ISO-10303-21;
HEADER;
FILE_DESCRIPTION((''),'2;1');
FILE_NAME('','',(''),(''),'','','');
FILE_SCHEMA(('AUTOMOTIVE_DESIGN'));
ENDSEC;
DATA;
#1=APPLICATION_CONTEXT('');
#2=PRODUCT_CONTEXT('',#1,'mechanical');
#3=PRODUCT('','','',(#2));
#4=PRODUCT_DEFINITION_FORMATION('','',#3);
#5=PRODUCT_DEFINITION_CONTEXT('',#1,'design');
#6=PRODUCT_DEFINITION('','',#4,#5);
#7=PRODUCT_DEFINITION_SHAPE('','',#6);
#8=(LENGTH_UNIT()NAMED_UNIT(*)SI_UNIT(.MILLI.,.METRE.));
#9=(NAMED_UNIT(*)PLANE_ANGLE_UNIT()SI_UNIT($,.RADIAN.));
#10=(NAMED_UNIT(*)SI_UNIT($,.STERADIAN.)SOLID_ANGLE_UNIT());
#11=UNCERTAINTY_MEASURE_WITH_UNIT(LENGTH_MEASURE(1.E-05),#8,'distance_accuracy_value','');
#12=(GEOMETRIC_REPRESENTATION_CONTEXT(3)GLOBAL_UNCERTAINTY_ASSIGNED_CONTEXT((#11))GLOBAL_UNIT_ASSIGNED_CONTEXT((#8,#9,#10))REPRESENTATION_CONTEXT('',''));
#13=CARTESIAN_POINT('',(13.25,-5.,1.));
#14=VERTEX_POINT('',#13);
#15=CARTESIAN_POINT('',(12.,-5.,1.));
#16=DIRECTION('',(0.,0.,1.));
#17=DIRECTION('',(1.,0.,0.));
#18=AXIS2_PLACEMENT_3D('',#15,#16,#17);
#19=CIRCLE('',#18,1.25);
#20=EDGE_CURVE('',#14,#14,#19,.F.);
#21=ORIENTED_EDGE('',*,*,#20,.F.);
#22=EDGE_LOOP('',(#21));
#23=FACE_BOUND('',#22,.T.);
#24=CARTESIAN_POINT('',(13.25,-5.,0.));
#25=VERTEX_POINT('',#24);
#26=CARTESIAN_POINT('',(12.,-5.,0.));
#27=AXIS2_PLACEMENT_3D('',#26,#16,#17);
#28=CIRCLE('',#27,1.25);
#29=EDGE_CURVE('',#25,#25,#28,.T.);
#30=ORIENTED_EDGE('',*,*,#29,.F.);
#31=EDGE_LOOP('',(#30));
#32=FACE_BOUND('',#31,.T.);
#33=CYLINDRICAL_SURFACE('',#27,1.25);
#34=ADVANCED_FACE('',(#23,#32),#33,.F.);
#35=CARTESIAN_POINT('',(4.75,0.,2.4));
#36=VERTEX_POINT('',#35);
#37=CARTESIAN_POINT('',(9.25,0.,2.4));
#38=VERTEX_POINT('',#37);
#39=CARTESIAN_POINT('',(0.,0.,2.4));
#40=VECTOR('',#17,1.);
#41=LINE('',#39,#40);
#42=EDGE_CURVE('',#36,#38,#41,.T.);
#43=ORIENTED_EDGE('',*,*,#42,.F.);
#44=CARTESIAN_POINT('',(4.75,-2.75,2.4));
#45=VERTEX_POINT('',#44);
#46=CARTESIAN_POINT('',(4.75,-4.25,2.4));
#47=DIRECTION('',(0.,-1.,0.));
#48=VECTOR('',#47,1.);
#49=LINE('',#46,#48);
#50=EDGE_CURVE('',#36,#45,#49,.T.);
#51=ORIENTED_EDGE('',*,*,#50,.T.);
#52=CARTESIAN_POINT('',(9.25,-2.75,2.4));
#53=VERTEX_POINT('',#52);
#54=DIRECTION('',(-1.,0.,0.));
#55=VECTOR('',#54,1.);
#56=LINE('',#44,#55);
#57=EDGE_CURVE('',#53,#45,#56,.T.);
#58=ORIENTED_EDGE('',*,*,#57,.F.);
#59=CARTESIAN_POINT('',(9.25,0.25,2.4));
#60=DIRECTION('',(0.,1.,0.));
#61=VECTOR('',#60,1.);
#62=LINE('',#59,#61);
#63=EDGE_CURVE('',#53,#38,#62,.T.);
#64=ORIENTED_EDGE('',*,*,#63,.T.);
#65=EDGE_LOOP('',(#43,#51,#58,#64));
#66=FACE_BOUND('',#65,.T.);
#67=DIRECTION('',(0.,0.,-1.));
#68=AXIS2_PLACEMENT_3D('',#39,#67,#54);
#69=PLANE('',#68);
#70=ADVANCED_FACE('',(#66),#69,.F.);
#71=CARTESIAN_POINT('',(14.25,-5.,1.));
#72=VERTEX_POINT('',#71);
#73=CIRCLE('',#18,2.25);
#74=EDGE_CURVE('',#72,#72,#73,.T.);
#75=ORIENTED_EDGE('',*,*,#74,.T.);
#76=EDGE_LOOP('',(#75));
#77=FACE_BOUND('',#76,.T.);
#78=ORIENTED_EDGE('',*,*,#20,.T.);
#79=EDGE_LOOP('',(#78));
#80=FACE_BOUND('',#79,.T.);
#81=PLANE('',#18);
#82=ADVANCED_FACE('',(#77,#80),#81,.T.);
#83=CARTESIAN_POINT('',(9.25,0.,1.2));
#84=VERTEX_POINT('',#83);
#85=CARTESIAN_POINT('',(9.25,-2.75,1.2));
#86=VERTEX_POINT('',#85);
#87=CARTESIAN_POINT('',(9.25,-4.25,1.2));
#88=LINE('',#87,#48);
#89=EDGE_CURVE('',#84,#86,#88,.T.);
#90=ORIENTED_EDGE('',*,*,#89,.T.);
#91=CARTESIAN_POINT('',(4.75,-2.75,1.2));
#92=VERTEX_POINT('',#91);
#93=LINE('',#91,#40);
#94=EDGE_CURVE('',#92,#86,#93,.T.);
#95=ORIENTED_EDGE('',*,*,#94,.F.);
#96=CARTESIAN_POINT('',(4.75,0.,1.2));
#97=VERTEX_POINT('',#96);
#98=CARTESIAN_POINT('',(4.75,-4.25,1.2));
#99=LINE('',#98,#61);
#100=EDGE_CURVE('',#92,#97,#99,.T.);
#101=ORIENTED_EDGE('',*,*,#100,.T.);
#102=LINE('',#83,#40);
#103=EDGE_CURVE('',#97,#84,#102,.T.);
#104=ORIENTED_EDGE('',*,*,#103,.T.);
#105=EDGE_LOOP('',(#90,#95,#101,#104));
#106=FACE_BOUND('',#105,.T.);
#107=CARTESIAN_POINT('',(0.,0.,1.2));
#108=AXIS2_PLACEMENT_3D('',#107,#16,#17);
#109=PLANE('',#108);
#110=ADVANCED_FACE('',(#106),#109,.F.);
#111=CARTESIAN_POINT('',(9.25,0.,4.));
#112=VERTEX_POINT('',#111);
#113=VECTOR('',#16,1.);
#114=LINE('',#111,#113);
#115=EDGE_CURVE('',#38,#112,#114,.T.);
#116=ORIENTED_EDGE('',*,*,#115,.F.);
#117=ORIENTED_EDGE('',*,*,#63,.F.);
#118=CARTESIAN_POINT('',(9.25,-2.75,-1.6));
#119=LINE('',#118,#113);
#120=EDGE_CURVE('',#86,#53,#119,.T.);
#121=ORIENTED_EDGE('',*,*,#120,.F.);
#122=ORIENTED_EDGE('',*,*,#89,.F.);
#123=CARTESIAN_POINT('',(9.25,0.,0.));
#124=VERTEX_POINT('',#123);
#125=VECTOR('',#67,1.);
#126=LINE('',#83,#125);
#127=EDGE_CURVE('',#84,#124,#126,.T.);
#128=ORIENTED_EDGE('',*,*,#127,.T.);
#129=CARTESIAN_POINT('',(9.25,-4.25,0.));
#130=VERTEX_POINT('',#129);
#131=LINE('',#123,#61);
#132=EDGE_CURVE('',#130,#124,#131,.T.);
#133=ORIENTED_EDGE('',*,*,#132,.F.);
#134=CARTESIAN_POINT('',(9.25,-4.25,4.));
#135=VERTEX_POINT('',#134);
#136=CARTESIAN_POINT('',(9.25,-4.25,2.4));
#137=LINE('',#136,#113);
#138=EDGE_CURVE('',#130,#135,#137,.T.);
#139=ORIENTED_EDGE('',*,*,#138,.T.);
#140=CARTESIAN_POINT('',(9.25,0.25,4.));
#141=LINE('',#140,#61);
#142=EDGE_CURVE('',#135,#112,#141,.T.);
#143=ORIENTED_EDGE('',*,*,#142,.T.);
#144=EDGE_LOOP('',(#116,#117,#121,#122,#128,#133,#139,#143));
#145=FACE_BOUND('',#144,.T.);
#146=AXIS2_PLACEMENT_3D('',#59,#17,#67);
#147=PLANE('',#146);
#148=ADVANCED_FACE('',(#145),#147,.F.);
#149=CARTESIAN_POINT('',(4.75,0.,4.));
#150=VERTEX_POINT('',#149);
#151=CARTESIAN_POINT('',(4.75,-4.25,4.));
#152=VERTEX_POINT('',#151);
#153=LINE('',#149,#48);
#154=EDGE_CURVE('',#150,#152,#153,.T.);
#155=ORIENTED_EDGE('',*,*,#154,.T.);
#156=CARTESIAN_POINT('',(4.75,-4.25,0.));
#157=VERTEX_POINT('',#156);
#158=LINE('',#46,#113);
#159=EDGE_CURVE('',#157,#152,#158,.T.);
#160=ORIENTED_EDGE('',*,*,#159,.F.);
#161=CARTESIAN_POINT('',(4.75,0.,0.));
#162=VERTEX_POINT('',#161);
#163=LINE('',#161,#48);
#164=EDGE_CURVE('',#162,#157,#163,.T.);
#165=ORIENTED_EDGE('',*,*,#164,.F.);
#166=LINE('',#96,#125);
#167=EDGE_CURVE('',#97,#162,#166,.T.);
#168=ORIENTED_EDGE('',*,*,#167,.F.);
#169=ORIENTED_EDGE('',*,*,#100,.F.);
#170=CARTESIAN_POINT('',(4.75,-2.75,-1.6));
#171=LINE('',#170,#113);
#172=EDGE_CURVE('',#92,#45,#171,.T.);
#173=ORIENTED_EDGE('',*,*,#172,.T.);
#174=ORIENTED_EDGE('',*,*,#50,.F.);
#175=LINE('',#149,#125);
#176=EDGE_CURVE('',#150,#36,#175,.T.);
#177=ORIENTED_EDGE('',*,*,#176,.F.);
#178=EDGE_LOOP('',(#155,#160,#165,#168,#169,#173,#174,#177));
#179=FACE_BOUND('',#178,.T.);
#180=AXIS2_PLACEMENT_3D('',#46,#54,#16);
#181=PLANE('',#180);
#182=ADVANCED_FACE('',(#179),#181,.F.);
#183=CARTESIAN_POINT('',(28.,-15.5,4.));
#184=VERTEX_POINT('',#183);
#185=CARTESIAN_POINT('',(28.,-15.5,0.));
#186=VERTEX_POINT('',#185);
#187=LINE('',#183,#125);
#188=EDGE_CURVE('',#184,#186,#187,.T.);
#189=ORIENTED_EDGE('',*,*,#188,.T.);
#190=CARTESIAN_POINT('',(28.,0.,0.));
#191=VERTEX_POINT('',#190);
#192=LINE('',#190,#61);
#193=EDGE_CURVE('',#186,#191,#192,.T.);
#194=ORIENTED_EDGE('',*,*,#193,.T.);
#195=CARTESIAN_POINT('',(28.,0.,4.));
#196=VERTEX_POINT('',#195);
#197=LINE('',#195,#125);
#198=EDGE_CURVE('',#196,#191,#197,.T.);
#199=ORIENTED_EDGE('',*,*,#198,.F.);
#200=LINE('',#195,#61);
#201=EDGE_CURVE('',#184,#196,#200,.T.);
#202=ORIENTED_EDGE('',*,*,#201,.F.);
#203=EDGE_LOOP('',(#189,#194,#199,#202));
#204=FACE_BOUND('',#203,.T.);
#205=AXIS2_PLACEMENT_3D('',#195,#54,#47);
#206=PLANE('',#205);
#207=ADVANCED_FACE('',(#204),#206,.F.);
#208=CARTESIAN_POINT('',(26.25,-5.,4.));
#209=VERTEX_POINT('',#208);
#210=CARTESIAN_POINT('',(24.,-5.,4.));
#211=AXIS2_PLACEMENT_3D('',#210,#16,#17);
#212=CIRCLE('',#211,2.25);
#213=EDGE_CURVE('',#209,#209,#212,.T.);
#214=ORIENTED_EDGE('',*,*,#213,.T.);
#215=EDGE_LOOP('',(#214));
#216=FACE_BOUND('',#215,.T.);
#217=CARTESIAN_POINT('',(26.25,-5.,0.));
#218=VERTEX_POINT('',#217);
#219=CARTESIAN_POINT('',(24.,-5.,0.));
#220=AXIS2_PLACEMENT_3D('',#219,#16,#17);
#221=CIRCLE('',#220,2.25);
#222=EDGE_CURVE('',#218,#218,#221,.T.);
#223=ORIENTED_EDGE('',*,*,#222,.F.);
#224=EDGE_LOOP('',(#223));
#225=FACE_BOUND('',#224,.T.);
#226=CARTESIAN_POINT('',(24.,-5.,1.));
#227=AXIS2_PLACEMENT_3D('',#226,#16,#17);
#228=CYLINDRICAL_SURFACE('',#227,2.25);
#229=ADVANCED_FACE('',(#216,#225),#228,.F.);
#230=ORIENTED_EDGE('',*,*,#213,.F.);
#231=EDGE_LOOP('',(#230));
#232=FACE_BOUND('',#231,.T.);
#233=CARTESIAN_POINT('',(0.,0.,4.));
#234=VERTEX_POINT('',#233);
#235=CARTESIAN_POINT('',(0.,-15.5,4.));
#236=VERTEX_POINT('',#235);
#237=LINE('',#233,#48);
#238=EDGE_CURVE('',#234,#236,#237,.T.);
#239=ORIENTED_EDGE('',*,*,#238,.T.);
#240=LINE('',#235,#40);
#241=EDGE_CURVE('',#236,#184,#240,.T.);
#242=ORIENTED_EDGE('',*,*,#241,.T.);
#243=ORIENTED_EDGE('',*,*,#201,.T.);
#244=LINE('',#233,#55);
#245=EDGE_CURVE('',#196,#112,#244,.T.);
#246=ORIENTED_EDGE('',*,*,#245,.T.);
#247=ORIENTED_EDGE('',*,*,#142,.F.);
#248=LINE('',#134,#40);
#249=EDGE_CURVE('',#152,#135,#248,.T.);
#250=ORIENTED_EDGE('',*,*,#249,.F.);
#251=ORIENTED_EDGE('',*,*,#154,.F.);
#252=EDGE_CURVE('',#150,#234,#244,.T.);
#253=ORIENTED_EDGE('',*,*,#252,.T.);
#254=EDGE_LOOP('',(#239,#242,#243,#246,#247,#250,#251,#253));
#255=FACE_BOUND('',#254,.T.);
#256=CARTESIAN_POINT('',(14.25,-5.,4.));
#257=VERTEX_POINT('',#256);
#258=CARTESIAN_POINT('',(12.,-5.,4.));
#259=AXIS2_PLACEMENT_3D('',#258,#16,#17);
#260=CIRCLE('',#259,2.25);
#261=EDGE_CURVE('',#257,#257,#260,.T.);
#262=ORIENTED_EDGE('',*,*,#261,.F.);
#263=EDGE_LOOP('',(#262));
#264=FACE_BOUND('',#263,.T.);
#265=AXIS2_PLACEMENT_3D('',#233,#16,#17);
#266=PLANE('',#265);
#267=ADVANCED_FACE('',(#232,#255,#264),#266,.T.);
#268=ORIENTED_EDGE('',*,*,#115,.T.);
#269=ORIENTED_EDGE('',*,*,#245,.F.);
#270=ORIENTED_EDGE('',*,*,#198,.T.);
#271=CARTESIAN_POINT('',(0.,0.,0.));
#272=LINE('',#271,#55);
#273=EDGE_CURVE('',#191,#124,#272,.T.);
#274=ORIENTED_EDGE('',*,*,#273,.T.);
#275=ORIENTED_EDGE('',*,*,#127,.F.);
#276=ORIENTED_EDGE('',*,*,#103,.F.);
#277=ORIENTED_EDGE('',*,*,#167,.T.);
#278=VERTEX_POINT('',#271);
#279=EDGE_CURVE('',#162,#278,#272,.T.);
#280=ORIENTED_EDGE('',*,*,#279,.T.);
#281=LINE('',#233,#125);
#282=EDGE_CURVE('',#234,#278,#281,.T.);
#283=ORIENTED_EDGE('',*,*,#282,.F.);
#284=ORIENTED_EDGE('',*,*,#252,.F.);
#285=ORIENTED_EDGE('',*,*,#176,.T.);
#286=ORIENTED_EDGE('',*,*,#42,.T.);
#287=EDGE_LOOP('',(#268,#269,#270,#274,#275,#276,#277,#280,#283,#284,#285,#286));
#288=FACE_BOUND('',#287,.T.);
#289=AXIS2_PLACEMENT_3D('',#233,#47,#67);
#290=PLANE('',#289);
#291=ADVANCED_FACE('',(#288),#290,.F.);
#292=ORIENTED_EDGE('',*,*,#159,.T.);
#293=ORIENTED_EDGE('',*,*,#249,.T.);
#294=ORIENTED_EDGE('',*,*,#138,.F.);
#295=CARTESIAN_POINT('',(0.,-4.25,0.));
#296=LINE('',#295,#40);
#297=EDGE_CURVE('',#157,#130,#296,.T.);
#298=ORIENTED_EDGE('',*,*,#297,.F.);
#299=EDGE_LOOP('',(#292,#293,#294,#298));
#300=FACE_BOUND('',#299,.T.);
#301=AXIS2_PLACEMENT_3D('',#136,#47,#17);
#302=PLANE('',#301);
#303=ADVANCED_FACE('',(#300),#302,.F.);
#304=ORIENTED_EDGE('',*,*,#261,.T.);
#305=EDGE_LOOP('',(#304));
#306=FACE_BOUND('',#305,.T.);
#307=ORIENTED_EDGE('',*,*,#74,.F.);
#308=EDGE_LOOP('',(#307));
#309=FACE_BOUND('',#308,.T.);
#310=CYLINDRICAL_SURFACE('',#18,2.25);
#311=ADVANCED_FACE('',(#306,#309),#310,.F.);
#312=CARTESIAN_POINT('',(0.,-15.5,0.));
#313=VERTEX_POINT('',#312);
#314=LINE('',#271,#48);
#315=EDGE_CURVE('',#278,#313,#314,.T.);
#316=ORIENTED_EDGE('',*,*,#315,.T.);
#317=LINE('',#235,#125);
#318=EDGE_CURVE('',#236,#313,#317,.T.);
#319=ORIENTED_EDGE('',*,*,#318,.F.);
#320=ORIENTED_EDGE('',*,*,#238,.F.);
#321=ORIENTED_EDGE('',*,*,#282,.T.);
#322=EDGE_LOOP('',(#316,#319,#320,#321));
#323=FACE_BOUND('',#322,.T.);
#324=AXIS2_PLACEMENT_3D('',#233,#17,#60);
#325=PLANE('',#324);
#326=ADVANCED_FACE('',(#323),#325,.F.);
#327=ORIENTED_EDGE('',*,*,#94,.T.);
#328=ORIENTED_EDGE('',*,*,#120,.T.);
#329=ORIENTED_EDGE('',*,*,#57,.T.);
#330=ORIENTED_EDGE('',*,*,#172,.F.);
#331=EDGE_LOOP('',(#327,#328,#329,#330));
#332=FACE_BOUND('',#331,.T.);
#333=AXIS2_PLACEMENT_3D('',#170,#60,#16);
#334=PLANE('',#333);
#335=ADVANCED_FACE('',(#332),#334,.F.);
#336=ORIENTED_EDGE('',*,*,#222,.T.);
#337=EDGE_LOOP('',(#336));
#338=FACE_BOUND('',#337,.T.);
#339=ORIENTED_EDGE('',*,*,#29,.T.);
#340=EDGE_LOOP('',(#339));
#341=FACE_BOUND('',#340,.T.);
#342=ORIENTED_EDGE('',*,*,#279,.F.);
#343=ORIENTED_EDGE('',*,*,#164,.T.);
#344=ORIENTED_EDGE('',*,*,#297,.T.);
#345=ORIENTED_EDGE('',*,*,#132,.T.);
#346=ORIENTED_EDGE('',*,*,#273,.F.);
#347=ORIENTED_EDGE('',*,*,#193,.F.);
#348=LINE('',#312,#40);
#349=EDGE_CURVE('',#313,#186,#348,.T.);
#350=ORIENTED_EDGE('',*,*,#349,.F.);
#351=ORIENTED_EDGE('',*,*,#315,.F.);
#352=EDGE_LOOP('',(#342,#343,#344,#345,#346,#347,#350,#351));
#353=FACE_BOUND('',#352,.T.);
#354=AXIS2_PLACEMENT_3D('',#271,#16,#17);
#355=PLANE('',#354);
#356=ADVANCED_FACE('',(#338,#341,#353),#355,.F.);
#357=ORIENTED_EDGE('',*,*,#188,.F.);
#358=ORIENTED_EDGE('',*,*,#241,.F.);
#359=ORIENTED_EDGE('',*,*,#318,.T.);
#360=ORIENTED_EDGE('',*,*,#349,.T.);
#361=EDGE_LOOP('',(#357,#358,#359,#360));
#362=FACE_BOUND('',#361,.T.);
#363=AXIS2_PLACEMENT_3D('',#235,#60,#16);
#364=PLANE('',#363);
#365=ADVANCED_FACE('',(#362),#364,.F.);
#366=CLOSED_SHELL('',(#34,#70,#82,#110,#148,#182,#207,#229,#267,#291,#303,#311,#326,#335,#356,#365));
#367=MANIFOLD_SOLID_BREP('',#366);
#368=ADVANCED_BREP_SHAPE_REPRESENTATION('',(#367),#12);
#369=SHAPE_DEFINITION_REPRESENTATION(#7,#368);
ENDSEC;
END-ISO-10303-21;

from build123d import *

# Parameters (mm, degrees)
SKETCH1_W           = 28
SKETCH1_H           = 15.5
BOSS_EXTRUDE1_DEPTH = 4
SKETCH2_R           = 1.25
CUT_EXTRUDE1_DEPTH  = 4
SKETCH3_R           = 2.25
CUT_EXTRUDE2_DEPTH  = 3
SKETCH4_W           = 4.5
SKETCH4_H           = 4.5
CUT_EXTRUDE3_DEPTH  = 1.6
SKETCH5_W           = 4.5
SKETCH5_H           = 1.5
CUT_EXTRUDE4_DEPTH  = 4
SKETCH6_W           = 4.5
SKETCH6_H           = 4.25
CUT_EXTRUDE5_DEPTH  = 1.2
SKETCH7_R           = 2.25
CUT_EXTRUDE6_DEPTH  = 10


with BuildPart() as part:
    # Sketch1 → Boss-Extrude1 (new body)
    with BuildSketch(Plane.XY):
        with Locations((14, -7.75)):
            Rectangle(SKETCH1_W, SKETCH1_H)
    extrude(amount=BOSS_EXTRUDE1_DEPTH)

    # Sketch2 → Cut-Extrude1 (cut)
    with BuildSketch(Plane.XY.offset(4)):
        with Locations((12, -5)):
            Circle(SKETCH2_R)
        with Locations((24, -5)):
            Circle(SKETCH2_R)
    extrude(amount=-CUT_EXTRUDE1_DEPTH, mode=Mode.SUBTRACT)

    # Sketch3 → Cut-Extrude2 (cut)
    with BuildSketch(Plane.XY.offset(4)):
        with Locations((12, -5)):
            Circle(SKETCH3_R)
        with Locations((24, -5)):
            Circle(SKETCH3_R)
    extrude(amount=-CUT_EXTRUDE2_DEPTH, mode=Mode.SUBTRACT)

    # Sketch4 → Cut-Extrude3 (cut)
    with BuildSketch(Plane.XY.offset(4)):
        with Locations((7, -2)):
            Rectangle(SKETCH4_W, SKETCH4_H)
    extrude(amount=-CUT_EXTRUDE3_DEPTH, mode=Mode.SUBTRACT)

    # Sketch5 → Cut-Extrude4 (cut)
    with BuildSketch(Plane.XY.offset(2.4)):
        with Locations((7, -3.5)):
            Rectangle(SKETCH5_W, SKETCH5_H)
    extrude(amount=-CUT_EXTRUDE4_DEPTH, mode=Mode.SUBTRACT)

    # Sketch6 → Cut-Extrude5 (cut)
    with BuildSketch(Plane(origin=(0, 0, 0), x_dir=(-1, 0, 0), z_dir=(0, 0, -1))):
        with Locations((-7, -2.125)):
            Rectangle(SKETCH6_W, SKETCH6_H)
    extrude(amount=-CUT_EXTRUDE5_DEPTH, mode=Mode.SUBTRACT)

    # Sketch7 → Cut-Extrude6 (cut)
    with BuildSketch(Plane.XY.offset(4)):
        with Locations((24, -5)):
            Circle(SKETCH7_R)
    extrude(amount=-CUT_EXTRUDE6_DEPTH, mode=Mode.SUBTRACT)


solid = part.part
